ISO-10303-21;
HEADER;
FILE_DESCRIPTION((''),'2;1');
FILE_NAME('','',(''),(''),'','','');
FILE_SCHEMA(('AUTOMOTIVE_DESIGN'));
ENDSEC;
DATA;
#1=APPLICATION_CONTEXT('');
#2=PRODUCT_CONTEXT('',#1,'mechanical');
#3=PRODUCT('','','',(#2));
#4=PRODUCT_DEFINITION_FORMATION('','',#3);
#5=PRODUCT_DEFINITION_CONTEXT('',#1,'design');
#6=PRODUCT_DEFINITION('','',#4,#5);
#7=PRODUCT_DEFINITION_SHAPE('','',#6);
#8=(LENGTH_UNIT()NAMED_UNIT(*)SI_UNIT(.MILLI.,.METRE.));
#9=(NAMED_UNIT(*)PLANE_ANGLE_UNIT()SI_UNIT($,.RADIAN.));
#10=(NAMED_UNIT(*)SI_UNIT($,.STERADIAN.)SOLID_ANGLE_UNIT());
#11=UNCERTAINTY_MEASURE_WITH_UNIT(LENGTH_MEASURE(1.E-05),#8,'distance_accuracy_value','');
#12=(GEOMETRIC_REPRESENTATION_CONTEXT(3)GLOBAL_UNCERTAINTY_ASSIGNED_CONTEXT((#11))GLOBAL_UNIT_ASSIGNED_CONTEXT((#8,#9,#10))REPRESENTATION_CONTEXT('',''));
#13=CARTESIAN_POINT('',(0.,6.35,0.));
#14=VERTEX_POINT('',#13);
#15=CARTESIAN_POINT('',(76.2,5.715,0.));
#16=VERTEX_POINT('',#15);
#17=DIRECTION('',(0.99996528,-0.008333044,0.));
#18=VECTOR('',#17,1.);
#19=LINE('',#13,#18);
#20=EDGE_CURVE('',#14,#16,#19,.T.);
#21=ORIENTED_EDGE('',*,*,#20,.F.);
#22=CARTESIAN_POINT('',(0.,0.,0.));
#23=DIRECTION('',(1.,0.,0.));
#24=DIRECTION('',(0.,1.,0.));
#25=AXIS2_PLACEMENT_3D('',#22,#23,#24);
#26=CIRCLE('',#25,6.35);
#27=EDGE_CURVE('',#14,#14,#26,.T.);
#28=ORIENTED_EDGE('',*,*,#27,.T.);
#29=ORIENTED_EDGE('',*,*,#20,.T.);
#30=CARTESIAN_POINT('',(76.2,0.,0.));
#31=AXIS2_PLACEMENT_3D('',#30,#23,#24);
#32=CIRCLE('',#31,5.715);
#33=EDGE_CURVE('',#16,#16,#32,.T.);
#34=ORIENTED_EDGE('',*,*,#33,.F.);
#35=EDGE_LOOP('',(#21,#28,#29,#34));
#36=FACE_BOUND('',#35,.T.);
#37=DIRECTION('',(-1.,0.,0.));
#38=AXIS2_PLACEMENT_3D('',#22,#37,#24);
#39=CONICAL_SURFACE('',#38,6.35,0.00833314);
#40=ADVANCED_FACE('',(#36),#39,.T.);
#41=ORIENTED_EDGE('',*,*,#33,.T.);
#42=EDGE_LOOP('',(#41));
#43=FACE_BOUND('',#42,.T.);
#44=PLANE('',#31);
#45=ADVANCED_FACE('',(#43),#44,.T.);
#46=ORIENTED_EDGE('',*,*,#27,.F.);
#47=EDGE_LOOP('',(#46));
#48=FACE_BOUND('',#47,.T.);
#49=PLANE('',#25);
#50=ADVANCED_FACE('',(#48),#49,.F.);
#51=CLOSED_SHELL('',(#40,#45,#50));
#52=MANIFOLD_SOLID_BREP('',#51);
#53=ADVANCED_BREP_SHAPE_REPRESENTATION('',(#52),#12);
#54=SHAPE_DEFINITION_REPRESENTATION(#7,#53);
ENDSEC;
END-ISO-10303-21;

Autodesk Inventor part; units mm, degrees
ref_plane "Start Plane" through (0, 0, 0) normal (1, 0, 0) x (0, 1, 0)
ref_plane "XZ Plane" through (0, 0, 0) normal (0, 1, 0) x (-1, 0, 0)
ref_plane "XY Plane" through (0, 0, 0) normal (0, 0, 1) x (1, 0, 0)
sketch "Main Sketch" plane through (0, 0, 0) normal (0, 0, 1) x (1, 0, 0)
  line L0 (0, 0) -> (76.2, 0)
  line L1 (0, 0) -> (0, 6.35)
  line L2 (76.2, 5.715) -> (76.2, 0)
  line L3 (0, 6.35) -> (76.2, 5.715)
revolve "Revolution1" add sketch "Main Sketch" angle 360 about axis through (0, 0, 0) along (1, 0, 0)
equation "\"Length\" = 76.2"
properties part number "Shaft" material "Steel"
